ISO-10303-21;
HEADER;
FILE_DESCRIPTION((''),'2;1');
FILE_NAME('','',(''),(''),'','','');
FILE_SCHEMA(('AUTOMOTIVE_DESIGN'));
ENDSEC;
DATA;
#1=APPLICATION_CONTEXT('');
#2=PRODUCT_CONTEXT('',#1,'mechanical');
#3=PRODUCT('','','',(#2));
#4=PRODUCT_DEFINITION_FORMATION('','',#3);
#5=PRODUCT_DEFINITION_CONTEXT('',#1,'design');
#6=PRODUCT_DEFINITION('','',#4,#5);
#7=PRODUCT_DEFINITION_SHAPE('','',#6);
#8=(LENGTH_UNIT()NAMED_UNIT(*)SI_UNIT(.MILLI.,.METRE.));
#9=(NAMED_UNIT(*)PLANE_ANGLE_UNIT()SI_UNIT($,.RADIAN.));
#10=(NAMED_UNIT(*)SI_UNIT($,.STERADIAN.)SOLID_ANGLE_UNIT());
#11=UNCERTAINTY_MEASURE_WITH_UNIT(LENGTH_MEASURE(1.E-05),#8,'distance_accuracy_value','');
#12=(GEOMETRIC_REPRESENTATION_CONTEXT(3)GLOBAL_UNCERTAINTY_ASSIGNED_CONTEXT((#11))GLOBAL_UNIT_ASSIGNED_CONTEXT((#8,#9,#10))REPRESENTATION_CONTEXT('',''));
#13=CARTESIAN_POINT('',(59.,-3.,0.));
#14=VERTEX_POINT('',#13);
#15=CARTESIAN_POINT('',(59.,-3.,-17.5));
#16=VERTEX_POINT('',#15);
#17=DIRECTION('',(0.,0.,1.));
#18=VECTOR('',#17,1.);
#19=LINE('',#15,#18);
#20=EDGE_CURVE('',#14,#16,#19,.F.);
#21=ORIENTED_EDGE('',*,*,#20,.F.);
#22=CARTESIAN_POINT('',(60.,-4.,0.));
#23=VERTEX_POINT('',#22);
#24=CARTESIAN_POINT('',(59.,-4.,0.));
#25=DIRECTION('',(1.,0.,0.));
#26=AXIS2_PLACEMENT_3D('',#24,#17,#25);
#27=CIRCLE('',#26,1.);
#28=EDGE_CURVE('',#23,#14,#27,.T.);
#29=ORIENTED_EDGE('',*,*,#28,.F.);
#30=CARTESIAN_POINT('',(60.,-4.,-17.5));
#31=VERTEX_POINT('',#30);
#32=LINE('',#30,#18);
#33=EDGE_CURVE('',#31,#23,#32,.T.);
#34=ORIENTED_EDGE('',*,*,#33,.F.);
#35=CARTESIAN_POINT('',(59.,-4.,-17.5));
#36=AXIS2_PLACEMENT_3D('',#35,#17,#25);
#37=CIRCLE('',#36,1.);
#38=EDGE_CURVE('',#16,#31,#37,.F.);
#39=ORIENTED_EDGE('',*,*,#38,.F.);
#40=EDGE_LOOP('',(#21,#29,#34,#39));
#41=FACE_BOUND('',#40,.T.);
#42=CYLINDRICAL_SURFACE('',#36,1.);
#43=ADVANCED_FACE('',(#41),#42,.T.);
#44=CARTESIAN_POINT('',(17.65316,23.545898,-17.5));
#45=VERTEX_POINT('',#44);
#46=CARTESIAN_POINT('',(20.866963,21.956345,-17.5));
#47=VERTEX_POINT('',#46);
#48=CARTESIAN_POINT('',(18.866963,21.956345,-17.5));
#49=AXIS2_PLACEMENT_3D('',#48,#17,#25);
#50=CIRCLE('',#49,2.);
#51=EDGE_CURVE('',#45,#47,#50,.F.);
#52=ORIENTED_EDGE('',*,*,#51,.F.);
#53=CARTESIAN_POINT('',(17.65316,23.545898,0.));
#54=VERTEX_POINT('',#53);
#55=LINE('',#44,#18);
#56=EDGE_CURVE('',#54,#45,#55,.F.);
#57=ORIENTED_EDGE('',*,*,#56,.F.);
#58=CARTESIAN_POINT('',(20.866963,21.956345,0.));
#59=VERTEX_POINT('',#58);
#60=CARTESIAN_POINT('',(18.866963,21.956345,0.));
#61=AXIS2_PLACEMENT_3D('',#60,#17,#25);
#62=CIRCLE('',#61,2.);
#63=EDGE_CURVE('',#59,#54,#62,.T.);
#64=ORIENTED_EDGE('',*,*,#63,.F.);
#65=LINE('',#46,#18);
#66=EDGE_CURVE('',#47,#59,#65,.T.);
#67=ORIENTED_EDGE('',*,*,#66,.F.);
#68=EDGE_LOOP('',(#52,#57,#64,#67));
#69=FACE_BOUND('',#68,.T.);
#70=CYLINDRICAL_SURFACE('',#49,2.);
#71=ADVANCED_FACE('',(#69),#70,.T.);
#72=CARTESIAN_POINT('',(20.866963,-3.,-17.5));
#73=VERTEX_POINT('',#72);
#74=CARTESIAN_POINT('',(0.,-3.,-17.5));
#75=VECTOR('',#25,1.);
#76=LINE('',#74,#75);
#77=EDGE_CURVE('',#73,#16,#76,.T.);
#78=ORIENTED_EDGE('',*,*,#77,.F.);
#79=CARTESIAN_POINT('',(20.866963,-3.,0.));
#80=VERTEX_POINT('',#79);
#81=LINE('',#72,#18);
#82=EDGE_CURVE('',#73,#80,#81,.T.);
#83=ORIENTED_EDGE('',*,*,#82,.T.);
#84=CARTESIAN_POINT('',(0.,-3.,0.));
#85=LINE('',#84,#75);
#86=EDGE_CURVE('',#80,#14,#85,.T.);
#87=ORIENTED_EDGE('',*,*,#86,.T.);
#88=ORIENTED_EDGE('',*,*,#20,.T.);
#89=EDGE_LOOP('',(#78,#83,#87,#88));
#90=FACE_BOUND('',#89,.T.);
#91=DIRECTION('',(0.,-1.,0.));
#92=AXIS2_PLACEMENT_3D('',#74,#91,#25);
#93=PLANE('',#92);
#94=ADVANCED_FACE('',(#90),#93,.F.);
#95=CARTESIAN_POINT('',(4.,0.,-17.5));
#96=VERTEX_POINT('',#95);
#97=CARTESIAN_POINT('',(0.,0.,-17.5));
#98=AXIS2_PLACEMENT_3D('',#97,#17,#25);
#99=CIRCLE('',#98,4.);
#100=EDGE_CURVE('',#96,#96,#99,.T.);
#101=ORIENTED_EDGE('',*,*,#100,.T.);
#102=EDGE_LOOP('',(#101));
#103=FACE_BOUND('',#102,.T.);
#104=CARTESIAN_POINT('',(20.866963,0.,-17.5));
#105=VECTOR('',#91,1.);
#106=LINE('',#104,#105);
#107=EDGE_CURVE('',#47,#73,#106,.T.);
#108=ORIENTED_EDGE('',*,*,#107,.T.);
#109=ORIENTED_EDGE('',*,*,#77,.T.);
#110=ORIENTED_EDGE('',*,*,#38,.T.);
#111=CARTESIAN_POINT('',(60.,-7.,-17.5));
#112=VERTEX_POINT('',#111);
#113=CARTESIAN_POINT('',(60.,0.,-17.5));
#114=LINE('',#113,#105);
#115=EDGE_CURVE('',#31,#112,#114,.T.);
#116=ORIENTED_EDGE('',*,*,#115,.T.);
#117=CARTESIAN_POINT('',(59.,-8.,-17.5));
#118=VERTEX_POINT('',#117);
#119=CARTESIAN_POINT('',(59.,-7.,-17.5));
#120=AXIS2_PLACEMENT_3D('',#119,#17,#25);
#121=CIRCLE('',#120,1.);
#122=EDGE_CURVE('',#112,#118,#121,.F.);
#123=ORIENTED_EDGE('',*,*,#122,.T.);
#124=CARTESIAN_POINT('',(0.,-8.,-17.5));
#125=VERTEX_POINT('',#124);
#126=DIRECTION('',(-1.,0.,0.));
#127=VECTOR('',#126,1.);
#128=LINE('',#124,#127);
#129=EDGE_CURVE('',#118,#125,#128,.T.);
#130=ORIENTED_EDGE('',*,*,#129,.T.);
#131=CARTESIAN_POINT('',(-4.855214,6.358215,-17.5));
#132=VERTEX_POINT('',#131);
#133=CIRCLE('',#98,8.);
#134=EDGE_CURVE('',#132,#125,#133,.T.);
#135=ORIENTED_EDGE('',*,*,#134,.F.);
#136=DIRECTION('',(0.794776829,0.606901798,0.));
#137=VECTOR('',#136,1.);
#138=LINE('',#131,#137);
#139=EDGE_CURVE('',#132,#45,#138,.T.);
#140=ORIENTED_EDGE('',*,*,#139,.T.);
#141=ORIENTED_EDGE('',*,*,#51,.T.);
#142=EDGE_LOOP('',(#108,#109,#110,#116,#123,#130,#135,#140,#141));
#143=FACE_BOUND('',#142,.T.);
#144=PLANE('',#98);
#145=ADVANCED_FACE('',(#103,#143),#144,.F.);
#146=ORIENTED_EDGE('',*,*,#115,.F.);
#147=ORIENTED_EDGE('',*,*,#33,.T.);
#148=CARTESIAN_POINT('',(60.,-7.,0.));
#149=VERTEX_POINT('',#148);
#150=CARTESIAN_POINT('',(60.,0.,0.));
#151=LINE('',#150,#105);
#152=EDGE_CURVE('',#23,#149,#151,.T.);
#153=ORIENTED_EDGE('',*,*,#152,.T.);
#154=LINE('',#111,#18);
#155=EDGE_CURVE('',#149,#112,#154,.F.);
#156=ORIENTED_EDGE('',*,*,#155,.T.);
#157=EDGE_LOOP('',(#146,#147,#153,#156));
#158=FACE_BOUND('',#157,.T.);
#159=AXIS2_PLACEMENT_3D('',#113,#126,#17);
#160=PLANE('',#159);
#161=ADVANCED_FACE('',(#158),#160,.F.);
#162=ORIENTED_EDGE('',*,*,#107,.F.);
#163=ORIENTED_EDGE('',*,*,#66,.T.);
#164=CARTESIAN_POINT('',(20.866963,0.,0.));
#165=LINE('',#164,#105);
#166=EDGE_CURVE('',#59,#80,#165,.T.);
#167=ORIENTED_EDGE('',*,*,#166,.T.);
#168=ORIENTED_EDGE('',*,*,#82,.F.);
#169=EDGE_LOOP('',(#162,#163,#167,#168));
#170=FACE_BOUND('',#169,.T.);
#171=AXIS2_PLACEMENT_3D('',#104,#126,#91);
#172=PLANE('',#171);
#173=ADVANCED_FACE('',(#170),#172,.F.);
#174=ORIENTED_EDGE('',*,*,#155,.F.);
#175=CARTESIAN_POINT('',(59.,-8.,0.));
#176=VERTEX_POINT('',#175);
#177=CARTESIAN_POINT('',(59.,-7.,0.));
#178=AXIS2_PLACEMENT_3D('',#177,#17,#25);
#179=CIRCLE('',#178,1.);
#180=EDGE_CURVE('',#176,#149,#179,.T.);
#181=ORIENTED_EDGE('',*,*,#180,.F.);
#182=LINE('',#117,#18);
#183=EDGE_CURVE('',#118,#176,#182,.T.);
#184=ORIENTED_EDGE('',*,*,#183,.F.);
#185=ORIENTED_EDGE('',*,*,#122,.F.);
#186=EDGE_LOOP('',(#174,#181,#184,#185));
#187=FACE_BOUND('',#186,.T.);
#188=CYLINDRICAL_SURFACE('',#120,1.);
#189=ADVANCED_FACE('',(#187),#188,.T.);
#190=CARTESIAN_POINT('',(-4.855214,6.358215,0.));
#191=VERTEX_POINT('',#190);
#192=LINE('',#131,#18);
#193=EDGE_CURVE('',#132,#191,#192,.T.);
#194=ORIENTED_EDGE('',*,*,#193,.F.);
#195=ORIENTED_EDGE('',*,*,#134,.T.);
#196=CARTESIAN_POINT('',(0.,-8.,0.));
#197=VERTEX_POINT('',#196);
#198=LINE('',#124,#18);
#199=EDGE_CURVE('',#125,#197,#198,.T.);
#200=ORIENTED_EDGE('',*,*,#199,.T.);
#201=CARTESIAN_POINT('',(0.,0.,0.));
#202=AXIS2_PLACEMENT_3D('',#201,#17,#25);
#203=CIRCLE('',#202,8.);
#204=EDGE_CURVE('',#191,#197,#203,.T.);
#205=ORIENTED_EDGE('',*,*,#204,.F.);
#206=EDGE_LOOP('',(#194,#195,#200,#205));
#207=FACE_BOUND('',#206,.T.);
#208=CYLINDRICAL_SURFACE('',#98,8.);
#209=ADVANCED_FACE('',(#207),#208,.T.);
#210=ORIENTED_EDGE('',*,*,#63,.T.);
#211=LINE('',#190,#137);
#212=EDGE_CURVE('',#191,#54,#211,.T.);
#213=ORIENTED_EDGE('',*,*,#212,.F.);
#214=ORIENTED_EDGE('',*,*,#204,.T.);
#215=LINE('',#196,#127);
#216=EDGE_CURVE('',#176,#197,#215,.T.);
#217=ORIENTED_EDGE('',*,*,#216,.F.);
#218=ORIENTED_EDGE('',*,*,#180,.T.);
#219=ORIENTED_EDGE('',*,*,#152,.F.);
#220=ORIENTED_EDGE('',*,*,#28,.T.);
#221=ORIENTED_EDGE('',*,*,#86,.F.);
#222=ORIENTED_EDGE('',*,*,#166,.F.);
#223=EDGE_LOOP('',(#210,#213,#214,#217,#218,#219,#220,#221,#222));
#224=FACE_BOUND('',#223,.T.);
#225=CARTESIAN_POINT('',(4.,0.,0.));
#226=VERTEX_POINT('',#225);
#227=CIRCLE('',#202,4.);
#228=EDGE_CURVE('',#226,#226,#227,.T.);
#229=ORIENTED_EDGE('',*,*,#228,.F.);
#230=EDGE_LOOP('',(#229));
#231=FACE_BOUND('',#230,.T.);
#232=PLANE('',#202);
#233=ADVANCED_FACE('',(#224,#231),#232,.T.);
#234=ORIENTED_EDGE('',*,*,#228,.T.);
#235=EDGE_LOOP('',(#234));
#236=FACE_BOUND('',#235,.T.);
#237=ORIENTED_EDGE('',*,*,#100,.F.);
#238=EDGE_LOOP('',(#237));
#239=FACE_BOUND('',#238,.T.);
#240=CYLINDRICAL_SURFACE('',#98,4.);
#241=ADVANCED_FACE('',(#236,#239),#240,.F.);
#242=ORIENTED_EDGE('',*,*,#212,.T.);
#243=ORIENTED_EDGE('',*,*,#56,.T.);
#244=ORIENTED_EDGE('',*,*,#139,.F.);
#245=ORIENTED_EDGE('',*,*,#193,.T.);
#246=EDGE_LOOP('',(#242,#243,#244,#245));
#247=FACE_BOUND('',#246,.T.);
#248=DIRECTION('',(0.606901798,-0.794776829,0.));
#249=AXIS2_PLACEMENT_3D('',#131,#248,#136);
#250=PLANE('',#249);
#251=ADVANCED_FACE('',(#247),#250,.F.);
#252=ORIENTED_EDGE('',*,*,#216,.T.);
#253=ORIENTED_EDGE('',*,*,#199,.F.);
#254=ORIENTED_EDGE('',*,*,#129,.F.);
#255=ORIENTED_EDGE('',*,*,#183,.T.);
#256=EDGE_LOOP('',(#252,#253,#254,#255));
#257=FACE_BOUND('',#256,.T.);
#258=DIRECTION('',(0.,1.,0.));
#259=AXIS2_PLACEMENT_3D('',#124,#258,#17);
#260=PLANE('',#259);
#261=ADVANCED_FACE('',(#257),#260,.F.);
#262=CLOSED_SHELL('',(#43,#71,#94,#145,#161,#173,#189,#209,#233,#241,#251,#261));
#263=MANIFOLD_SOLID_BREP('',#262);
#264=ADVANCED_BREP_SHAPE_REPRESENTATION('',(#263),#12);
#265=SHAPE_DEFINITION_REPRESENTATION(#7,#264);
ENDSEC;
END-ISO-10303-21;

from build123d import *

# Parameters (mm, degrees)
ESQUISSE1_R        = 8
ESQUISSE1_R_2      = 4
BOSS_EXTRU_2_DEPTH = 17.5
CONG_1_R           = 2
CONG_2_R           = 1


with BuildPart() as part:
    # Esquisse1 → Boss.-Extru.2 (new body)
    # profile 1 of 2: a face of its own
    with BuildSketch(Plane.XY):
        with BuildLine():
            Line((20.866963315, 26), (-4.855214383, 6.358214631))
            ThreePointArc((-4.855214383, 6.358214631), (3.546708681, 7.17083381), (8, 0))
            ThreePointArc((8, 0), (5.656854249, -5.656854249), (0, -8))
            Line((0, -8), (60, -8))
            Line((60, -8), (60, -3))
            Line((60, -3), (20.866963315, -3))
            Line((20.866963315, -3), (20.866963315, 26))
        make_face()
    # profile 2 of 2: a face of its own
    with BuildSketch(Plane.XY):
        Circle(ESQUISSE1_R)
        Circle(ESQUISSE1_R_2, mode=Mode.SUBTRACT)
    extrude(amount=-BOSS_EXTRU_2_DEPTH)

    # Congé1
    cong_1_edges = [part.edges().sort_by_distance(p)[0] for p in [
        (20.866963315, 26, -8.75),
    ]]
    fillet(cong_1_edges, radius=CONG_1_R)

    # Congé2
    cong_2_edges = [part.edges().sort_by_distance(p)[0] for p in [
        (60, -3, -8.75),
        (60, -8, -8.75),
    ]]
    fillet(cong_2_edges, radius=CONG_2_R)


solid = part.part
